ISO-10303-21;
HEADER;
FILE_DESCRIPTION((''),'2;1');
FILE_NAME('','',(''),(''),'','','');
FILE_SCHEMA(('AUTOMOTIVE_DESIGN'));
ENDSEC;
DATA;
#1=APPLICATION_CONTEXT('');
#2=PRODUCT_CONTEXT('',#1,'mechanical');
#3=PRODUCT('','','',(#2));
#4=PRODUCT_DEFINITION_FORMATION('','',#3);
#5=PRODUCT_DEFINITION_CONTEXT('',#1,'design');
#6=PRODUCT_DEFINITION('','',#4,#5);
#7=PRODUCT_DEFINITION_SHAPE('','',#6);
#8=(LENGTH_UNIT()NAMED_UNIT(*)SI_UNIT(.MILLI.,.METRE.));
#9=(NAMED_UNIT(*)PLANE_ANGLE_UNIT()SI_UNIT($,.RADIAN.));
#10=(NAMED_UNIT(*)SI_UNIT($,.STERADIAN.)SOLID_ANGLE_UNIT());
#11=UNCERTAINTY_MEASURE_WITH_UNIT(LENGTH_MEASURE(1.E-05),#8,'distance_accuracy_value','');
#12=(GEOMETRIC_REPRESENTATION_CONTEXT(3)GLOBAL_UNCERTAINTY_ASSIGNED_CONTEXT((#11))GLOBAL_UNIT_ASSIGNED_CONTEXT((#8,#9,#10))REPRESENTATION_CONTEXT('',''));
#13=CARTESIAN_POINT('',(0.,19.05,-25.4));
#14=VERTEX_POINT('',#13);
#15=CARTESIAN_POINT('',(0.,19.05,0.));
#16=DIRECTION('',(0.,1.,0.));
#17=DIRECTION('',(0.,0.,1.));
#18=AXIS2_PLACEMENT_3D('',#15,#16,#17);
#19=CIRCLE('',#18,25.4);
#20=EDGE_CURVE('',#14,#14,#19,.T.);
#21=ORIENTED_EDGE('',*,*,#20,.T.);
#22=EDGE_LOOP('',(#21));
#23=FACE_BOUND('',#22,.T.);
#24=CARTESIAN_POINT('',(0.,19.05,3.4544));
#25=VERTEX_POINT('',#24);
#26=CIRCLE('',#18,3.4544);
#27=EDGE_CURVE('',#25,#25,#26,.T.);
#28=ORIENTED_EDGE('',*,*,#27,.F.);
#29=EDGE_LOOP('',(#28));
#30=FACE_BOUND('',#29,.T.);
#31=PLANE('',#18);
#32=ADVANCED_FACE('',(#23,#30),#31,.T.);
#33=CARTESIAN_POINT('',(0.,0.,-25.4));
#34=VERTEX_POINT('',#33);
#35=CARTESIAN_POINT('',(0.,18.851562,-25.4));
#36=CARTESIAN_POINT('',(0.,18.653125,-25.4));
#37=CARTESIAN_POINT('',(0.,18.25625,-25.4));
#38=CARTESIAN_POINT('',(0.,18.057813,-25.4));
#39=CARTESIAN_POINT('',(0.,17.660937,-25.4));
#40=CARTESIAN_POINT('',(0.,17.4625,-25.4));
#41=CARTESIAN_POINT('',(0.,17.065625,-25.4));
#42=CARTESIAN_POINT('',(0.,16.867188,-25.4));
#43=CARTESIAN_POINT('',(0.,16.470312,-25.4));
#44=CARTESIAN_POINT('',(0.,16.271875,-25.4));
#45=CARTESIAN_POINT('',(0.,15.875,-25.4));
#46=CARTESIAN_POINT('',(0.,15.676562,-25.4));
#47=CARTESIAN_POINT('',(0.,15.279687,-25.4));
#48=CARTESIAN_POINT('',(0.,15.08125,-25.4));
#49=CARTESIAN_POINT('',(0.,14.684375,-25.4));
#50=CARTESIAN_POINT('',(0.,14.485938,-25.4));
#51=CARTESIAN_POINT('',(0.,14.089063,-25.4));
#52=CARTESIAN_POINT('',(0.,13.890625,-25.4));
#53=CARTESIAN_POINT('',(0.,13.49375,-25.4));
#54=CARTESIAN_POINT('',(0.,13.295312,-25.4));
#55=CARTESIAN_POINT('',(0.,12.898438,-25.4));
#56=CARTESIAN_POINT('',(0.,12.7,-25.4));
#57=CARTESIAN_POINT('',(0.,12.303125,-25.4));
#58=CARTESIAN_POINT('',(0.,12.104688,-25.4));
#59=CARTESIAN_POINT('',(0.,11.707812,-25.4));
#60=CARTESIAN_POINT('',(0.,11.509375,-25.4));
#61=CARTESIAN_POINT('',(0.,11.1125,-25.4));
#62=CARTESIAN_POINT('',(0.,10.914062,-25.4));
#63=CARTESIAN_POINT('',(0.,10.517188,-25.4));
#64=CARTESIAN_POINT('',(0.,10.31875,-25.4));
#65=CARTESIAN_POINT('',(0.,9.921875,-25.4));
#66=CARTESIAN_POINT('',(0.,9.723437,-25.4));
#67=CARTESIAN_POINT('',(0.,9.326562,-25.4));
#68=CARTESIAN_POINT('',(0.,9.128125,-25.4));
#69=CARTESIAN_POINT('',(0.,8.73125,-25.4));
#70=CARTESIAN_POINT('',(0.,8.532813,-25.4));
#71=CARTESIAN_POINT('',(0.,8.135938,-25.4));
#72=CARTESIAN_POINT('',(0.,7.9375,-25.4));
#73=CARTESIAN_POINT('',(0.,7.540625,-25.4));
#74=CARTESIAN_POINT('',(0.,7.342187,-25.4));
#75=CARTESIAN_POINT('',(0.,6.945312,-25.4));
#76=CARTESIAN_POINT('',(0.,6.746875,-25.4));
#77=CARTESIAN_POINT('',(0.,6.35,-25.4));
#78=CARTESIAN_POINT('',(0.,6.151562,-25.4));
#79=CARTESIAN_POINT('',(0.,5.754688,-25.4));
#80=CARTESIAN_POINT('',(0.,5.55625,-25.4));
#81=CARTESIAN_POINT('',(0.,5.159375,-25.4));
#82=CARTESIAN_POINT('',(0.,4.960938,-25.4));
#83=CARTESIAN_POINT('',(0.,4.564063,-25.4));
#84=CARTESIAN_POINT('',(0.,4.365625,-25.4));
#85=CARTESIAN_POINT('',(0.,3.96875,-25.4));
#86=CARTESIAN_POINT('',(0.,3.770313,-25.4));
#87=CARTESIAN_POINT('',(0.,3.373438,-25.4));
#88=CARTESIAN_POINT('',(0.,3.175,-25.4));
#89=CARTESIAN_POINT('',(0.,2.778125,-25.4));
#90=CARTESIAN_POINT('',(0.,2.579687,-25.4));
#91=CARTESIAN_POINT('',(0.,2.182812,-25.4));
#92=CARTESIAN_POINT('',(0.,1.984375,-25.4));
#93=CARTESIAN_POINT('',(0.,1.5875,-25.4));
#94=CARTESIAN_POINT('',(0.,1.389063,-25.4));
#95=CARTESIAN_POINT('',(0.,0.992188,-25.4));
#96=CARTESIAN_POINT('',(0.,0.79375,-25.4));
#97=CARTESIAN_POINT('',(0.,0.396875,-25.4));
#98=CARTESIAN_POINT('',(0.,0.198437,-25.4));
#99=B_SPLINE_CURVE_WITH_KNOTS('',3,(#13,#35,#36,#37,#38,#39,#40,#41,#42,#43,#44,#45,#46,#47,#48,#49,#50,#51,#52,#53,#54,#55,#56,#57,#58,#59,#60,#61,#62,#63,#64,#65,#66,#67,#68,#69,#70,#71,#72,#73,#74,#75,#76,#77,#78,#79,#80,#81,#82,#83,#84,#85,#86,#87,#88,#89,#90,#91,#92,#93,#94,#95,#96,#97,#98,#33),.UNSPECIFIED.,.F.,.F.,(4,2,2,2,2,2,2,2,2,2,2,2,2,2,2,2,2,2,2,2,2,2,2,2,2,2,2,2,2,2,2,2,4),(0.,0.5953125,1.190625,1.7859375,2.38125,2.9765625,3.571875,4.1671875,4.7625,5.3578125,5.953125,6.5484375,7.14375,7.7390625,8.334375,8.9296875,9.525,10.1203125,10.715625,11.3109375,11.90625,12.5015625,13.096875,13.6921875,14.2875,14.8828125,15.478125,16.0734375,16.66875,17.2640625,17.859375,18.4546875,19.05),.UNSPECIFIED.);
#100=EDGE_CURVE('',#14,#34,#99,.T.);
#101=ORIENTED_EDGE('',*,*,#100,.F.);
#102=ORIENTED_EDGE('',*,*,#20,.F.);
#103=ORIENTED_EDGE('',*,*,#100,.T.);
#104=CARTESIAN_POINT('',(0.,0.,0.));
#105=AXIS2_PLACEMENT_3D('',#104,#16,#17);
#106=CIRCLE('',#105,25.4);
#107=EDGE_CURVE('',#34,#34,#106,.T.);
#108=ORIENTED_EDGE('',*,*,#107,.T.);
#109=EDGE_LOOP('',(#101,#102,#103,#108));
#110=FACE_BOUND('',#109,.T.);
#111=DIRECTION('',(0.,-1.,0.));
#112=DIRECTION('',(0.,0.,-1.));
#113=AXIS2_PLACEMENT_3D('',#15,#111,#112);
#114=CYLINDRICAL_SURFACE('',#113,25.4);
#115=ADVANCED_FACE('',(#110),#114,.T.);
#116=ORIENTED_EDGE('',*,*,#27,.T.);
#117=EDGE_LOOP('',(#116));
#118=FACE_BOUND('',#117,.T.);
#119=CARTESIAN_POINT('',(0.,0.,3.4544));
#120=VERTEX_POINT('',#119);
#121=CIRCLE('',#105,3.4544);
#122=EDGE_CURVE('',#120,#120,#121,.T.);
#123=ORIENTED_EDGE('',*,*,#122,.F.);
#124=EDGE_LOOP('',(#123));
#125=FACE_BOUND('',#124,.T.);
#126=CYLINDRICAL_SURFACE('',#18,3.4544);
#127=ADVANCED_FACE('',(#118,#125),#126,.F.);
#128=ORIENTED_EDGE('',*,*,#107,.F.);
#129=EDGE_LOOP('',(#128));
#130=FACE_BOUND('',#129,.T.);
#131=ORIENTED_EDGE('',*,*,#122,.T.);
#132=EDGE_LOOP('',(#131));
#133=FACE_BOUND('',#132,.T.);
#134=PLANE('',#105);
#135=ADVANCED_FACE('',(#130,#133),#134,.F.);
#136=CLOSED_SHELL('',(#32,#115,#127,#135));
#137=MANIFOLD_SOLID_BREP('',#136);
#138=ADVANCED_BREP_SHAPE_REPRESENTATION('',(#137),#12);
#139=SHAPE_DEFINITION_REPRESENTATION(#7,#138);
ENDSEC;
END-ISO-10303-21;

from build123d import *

# Parameters (mm, degrees)
SKETCH1_R                = 25.4
BOSS_EXTRUDE1_DEPTH      = 19.05
F_5_16_24_TAPPED_HOLE1_D = 6.9088


with BuildPart() as part:
    # Sketch1 → Boss-Extrude1 (new body)
    with BuildSketch(Plane(origin=(0, 0, 0), x_dir=(1, 0, 0), z_dir=(0, 1, 0))):
        with Locations(Location((0, 0, 0), (0, 0, 90))):
            Circle(SKETCH1_R)
    extrude(amount=BOSS_EXTRUDE1_DEPTH)

    # 5/16-24 Tapped Hole1 (through all)
    with Locations(Plane(origin=(0, 19.05, 0), x_dir=(1, 0, 0), z_dir=(0, 1, 0))):
        with Locations((0, 0)):
            Hole(F_5_16_24_TAPPED_HOLE1_D / 2)


solid = part.part
